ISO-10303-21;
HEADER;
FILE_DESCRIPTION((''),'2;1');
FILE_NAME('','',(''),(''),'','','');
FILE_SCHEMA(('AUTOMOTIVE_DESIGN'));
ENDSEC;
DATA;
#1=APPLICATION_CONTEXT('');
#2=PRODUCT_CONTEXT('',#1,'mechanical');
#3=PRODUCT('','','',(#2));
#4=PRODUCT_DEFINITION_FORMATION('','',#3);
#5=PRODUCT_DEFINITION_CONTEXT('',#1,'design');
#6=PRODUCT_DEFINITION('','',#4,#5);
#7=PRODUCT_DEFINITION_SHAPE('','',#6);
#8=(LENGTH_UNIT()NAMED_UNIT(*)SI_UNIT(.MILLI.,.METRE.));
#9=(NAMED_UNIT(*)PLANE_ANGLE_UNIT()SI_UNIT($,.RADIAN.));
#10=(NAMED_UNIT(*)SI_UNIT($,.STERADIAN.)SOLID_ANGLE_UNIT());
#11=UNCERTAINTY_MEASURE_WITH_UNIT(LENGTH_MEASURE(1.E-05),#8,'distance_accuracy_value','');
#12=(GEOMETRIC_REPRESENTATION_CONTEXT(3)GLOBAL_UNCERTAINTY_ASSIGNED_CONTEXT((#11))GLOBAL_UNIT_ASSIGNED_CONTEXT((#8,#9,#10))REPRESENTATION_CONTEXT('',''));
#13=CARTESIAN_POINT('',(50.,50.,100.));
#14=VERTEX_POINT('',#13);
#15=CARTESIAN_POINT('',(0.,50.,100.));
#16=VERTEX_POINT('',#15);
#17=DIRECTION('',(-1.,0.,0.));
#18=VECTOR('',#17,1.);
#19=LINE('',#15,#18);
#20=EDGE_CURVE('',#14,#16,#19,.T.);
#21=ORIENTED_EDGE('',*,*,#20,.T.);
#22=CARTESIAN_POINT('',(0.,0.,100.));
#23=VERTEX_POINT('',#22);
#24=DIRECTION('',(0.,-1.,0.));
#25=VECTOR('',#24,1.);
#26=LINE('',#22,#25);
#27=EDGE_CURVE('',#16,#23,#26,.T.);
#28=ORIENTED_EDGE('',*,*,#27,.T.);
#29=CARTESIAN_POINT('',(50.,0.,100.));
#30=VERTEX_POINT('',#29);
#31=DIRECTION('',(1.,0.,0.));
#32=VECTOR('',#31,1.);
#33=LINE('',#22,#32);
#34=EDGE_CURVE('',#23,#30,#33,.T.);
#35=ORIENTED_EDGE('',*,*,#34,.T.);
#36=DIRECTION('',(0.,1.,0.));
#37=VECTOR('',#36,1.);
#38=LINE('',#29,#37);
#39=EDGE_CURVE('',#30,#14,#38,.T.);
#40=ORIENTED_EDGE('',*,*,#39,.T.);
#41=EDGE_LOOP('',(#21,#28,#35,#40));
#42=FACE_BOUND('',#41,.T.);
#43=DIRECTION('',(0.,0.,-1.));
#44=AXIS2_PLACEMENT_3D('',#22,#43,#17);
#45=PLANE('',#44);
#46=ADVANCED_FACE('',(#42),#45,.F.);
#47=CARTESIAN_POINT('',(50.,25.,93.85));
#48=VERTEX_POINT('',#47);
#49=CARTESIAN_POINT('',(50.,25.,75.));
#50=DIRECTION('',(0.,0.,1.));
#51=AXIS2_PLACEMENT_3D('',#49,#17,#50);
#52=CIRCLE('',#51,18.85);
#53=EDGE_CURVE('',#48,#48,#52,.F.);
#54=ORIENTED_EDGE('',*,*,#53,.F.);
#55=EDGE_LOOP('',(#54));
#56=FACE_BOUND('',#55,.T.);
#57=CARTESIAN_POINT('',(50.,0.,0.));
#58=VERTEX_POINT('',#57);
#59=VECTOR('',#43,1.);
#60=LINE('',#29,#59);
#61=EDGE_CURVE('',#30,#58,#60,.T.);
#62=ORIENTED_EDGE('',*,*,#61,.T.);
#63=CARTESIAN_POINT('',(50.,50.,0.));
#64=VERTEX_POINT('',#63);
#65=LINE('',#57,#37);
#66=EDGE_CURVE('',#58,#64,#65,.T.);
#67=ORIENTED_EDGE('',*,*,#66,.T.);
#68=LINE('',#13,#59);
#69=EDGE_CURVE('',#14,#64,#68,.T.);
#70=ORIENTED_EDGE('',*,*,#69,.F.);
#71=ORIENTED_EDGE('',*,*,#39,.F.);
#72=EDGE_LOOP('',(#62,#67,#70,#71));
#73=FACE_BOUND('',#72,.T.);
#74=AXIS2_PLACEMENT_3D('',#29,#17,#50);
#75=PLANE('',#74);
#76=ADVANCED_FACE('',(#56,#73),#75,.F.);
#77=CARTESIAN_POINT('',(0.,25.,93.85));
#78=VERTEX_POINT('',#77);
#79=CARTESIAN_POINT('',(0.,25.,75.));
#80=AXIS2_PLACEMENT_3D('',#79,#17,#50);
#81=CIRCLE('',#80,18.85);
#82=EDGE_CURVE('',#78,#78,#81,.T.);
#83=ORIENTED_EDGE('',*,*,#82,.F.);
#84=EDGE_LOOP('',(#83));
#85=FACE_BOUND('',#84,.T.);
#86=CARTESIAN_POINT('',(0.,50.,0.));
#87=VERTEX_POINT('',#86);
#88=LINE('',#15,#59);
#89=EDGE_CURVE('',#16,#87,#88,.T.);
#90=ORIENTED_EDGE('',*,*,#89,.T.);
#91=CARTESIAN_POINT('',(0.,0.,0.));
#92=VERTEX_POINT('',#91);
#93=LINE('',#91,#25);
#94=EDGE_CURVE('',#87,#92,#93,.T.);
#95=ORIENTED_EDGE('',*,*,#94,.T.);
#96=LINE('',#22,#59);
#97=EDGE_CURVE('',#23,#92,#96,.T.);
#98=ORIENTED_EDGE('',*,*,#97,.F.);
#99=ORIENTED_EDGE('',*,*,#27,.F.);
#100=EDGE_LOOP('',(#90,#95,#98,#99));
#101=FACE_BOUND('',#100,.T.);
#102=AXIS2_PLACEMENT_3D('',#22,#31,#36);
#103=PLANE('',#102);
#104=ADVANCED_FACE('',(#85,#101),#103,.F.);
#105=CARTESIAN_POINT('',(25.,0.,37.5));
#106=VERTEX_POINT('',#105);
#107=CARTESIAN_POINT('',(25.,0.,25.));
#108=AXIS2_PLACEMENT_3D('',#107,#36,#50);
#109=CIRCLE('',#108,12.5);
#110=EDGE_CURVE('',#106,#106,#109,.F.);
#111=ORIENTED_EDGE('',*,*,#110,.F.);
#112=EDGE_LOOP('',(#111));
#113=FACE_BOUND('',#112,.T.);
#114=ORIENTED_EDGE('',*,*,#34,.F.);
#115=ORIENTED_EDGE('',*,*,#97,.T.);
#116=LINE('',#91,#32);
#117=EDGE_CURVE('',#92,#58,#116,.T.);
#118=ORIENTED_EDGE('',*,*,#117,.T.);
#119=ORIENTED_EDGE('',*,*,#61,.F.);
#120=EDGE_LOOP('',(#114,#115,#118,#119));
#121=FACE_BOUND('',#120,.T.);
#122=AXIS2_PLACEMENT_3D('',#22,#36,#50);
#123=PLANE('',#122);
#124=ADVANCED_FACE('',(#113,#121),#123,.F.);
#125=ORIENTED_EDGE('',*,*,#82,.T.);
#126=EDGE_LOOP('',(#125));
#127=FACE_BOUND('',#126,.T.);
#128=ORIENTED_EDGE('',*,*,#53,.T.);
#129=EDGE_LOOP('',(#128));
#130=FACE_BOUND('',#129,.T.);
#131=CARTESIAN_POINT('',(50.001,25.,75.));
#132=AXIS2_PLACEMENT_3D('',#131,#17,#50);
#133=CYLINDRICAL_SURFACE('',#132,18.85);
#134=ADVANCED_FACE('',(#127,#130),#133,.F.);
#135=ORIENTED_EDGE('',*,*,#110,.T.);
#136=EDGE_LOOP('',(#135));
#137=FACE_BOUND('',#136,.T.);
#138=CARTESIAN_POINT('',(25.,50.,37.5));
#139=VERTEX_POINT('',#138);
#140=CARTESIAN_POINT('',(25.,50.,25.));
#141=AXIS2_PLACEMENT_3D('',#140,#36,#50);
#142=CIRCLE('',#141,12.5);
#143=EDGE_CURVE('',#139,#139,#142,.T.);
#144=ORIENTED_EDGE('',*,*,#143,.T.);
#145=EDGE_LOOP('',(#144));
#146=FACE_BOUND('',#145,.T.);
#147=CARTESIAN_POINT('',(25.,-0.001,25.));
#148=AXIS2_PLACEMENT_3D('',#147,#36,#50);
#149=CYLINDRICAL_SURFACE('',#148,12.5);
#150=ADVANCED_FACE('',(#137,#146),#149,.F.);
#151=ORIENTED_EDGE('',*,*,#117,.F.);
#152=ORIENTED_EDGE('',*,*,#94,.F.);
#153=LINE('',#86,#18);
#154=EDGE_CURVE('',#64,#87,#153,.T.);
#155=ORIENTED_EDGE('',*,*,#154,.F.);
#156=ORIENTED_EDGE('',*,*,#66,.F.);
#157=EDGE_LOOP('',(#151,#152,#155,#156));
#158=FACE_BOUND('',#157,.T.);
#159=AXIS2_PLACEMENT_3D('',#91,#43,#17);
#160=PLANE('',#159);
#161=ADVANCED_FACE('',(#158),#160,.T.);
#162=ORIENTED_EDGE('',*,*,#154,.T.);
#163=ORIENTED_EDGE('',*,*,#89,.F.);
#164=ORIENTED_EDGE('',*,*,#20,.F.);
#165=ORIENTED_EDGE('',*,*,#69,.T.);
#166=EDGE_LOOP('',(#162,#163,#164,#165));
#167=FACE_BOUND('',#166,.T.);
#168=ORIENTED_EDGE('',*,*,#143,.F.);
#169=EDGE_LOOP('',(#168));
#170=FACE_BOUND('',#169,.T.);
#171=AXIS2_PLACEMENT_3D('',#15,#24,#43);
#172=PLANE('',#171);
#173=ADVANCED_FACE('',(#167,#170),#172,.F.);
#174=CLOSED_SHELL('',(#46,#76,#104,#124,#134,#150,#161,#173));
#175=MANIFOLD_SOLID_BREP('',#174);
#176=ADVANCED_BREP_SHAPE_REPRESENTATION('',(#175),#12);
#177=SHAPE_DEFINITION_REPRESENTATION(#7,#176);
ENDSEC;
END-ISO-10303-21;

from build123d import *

# Parameters (mm, degrees)
SZKIC1_W                    = 50
SZKIC1_H                    = 50
DODANIE_WYCI_GNI_CIE1_DEPTH = 100
WYTNIJ_WYCI_GNI_CIE1_REACH  = 124.474
SZKIC2_R                    = 12.5
WYTNIJ_WYCI_GNI_CIE2_REACH  = 124.474
SZKIC3_R                    = 18.85


with BuildPart() as part:
    # Szkic1 → Dodanie-wyciągnięcie1 (new body)
    with BuildSketch(Plane.XY):
        with Locations((25, 25)):
            Rectangle(SZKIC1_W, SZKIC1_H)
    extrude(amount=DODANIE_WYCI_GNI_CIE1_DEPTH)

    # Szkic2 → Wytnij-wyciągnięcie1 (cut, up to next)
    with BuildSketch(Plane(origin=(0, 50, 0), x_dir=(1, 0, 0), z_dir=(0, 1, 0)), mode=Mode.PRIVATE) as wytnij_wyci_gni_cie1_sk1:
        with Locations(Location((25, -25, 0), (0, 0, 270))):
            Circle(SZKIC2_R)
    wytnij_wyci_gni_cie1_tool1 = extrude(wytnij_wyci_gni_cie1_sk1.sketch, amount=-WYTNIJ_WYCI_GNI_CIE1_REACH, mode=Mode.PRIVATE) & part.part
    add(wytnij_wyci_gni_cie1_tool1.solids().sort_by_distance((25, 50, 25))[0], mode=Mode.SUBTRACT)

    # Szkic3 → Wytnij-wyciągnięcie2 (cut, up to next)
    with BuildSketch(Plane.ZY, mode=Mode.PRIVATE) as wytnij_wyci_gni_cie2_sk1:
        with Locations((75, 25)):
            Circle(SZKIC3_R)
    wytnij_wyci_gni_cie2_tool1 = extrude(wytnij_wyci_gni_cie2_sk1.sketch, amount=-WYTNIJ_WYCI_GNI_CIE2_REACH, mode=Mode.PRIVATE) & part.part
    add(wytnij_wyci_gni_cie2_tool1.solids().sort_by_distance((0, 25, 75))[0], mode=Mode.SUBTRACT)


solid = part.part
